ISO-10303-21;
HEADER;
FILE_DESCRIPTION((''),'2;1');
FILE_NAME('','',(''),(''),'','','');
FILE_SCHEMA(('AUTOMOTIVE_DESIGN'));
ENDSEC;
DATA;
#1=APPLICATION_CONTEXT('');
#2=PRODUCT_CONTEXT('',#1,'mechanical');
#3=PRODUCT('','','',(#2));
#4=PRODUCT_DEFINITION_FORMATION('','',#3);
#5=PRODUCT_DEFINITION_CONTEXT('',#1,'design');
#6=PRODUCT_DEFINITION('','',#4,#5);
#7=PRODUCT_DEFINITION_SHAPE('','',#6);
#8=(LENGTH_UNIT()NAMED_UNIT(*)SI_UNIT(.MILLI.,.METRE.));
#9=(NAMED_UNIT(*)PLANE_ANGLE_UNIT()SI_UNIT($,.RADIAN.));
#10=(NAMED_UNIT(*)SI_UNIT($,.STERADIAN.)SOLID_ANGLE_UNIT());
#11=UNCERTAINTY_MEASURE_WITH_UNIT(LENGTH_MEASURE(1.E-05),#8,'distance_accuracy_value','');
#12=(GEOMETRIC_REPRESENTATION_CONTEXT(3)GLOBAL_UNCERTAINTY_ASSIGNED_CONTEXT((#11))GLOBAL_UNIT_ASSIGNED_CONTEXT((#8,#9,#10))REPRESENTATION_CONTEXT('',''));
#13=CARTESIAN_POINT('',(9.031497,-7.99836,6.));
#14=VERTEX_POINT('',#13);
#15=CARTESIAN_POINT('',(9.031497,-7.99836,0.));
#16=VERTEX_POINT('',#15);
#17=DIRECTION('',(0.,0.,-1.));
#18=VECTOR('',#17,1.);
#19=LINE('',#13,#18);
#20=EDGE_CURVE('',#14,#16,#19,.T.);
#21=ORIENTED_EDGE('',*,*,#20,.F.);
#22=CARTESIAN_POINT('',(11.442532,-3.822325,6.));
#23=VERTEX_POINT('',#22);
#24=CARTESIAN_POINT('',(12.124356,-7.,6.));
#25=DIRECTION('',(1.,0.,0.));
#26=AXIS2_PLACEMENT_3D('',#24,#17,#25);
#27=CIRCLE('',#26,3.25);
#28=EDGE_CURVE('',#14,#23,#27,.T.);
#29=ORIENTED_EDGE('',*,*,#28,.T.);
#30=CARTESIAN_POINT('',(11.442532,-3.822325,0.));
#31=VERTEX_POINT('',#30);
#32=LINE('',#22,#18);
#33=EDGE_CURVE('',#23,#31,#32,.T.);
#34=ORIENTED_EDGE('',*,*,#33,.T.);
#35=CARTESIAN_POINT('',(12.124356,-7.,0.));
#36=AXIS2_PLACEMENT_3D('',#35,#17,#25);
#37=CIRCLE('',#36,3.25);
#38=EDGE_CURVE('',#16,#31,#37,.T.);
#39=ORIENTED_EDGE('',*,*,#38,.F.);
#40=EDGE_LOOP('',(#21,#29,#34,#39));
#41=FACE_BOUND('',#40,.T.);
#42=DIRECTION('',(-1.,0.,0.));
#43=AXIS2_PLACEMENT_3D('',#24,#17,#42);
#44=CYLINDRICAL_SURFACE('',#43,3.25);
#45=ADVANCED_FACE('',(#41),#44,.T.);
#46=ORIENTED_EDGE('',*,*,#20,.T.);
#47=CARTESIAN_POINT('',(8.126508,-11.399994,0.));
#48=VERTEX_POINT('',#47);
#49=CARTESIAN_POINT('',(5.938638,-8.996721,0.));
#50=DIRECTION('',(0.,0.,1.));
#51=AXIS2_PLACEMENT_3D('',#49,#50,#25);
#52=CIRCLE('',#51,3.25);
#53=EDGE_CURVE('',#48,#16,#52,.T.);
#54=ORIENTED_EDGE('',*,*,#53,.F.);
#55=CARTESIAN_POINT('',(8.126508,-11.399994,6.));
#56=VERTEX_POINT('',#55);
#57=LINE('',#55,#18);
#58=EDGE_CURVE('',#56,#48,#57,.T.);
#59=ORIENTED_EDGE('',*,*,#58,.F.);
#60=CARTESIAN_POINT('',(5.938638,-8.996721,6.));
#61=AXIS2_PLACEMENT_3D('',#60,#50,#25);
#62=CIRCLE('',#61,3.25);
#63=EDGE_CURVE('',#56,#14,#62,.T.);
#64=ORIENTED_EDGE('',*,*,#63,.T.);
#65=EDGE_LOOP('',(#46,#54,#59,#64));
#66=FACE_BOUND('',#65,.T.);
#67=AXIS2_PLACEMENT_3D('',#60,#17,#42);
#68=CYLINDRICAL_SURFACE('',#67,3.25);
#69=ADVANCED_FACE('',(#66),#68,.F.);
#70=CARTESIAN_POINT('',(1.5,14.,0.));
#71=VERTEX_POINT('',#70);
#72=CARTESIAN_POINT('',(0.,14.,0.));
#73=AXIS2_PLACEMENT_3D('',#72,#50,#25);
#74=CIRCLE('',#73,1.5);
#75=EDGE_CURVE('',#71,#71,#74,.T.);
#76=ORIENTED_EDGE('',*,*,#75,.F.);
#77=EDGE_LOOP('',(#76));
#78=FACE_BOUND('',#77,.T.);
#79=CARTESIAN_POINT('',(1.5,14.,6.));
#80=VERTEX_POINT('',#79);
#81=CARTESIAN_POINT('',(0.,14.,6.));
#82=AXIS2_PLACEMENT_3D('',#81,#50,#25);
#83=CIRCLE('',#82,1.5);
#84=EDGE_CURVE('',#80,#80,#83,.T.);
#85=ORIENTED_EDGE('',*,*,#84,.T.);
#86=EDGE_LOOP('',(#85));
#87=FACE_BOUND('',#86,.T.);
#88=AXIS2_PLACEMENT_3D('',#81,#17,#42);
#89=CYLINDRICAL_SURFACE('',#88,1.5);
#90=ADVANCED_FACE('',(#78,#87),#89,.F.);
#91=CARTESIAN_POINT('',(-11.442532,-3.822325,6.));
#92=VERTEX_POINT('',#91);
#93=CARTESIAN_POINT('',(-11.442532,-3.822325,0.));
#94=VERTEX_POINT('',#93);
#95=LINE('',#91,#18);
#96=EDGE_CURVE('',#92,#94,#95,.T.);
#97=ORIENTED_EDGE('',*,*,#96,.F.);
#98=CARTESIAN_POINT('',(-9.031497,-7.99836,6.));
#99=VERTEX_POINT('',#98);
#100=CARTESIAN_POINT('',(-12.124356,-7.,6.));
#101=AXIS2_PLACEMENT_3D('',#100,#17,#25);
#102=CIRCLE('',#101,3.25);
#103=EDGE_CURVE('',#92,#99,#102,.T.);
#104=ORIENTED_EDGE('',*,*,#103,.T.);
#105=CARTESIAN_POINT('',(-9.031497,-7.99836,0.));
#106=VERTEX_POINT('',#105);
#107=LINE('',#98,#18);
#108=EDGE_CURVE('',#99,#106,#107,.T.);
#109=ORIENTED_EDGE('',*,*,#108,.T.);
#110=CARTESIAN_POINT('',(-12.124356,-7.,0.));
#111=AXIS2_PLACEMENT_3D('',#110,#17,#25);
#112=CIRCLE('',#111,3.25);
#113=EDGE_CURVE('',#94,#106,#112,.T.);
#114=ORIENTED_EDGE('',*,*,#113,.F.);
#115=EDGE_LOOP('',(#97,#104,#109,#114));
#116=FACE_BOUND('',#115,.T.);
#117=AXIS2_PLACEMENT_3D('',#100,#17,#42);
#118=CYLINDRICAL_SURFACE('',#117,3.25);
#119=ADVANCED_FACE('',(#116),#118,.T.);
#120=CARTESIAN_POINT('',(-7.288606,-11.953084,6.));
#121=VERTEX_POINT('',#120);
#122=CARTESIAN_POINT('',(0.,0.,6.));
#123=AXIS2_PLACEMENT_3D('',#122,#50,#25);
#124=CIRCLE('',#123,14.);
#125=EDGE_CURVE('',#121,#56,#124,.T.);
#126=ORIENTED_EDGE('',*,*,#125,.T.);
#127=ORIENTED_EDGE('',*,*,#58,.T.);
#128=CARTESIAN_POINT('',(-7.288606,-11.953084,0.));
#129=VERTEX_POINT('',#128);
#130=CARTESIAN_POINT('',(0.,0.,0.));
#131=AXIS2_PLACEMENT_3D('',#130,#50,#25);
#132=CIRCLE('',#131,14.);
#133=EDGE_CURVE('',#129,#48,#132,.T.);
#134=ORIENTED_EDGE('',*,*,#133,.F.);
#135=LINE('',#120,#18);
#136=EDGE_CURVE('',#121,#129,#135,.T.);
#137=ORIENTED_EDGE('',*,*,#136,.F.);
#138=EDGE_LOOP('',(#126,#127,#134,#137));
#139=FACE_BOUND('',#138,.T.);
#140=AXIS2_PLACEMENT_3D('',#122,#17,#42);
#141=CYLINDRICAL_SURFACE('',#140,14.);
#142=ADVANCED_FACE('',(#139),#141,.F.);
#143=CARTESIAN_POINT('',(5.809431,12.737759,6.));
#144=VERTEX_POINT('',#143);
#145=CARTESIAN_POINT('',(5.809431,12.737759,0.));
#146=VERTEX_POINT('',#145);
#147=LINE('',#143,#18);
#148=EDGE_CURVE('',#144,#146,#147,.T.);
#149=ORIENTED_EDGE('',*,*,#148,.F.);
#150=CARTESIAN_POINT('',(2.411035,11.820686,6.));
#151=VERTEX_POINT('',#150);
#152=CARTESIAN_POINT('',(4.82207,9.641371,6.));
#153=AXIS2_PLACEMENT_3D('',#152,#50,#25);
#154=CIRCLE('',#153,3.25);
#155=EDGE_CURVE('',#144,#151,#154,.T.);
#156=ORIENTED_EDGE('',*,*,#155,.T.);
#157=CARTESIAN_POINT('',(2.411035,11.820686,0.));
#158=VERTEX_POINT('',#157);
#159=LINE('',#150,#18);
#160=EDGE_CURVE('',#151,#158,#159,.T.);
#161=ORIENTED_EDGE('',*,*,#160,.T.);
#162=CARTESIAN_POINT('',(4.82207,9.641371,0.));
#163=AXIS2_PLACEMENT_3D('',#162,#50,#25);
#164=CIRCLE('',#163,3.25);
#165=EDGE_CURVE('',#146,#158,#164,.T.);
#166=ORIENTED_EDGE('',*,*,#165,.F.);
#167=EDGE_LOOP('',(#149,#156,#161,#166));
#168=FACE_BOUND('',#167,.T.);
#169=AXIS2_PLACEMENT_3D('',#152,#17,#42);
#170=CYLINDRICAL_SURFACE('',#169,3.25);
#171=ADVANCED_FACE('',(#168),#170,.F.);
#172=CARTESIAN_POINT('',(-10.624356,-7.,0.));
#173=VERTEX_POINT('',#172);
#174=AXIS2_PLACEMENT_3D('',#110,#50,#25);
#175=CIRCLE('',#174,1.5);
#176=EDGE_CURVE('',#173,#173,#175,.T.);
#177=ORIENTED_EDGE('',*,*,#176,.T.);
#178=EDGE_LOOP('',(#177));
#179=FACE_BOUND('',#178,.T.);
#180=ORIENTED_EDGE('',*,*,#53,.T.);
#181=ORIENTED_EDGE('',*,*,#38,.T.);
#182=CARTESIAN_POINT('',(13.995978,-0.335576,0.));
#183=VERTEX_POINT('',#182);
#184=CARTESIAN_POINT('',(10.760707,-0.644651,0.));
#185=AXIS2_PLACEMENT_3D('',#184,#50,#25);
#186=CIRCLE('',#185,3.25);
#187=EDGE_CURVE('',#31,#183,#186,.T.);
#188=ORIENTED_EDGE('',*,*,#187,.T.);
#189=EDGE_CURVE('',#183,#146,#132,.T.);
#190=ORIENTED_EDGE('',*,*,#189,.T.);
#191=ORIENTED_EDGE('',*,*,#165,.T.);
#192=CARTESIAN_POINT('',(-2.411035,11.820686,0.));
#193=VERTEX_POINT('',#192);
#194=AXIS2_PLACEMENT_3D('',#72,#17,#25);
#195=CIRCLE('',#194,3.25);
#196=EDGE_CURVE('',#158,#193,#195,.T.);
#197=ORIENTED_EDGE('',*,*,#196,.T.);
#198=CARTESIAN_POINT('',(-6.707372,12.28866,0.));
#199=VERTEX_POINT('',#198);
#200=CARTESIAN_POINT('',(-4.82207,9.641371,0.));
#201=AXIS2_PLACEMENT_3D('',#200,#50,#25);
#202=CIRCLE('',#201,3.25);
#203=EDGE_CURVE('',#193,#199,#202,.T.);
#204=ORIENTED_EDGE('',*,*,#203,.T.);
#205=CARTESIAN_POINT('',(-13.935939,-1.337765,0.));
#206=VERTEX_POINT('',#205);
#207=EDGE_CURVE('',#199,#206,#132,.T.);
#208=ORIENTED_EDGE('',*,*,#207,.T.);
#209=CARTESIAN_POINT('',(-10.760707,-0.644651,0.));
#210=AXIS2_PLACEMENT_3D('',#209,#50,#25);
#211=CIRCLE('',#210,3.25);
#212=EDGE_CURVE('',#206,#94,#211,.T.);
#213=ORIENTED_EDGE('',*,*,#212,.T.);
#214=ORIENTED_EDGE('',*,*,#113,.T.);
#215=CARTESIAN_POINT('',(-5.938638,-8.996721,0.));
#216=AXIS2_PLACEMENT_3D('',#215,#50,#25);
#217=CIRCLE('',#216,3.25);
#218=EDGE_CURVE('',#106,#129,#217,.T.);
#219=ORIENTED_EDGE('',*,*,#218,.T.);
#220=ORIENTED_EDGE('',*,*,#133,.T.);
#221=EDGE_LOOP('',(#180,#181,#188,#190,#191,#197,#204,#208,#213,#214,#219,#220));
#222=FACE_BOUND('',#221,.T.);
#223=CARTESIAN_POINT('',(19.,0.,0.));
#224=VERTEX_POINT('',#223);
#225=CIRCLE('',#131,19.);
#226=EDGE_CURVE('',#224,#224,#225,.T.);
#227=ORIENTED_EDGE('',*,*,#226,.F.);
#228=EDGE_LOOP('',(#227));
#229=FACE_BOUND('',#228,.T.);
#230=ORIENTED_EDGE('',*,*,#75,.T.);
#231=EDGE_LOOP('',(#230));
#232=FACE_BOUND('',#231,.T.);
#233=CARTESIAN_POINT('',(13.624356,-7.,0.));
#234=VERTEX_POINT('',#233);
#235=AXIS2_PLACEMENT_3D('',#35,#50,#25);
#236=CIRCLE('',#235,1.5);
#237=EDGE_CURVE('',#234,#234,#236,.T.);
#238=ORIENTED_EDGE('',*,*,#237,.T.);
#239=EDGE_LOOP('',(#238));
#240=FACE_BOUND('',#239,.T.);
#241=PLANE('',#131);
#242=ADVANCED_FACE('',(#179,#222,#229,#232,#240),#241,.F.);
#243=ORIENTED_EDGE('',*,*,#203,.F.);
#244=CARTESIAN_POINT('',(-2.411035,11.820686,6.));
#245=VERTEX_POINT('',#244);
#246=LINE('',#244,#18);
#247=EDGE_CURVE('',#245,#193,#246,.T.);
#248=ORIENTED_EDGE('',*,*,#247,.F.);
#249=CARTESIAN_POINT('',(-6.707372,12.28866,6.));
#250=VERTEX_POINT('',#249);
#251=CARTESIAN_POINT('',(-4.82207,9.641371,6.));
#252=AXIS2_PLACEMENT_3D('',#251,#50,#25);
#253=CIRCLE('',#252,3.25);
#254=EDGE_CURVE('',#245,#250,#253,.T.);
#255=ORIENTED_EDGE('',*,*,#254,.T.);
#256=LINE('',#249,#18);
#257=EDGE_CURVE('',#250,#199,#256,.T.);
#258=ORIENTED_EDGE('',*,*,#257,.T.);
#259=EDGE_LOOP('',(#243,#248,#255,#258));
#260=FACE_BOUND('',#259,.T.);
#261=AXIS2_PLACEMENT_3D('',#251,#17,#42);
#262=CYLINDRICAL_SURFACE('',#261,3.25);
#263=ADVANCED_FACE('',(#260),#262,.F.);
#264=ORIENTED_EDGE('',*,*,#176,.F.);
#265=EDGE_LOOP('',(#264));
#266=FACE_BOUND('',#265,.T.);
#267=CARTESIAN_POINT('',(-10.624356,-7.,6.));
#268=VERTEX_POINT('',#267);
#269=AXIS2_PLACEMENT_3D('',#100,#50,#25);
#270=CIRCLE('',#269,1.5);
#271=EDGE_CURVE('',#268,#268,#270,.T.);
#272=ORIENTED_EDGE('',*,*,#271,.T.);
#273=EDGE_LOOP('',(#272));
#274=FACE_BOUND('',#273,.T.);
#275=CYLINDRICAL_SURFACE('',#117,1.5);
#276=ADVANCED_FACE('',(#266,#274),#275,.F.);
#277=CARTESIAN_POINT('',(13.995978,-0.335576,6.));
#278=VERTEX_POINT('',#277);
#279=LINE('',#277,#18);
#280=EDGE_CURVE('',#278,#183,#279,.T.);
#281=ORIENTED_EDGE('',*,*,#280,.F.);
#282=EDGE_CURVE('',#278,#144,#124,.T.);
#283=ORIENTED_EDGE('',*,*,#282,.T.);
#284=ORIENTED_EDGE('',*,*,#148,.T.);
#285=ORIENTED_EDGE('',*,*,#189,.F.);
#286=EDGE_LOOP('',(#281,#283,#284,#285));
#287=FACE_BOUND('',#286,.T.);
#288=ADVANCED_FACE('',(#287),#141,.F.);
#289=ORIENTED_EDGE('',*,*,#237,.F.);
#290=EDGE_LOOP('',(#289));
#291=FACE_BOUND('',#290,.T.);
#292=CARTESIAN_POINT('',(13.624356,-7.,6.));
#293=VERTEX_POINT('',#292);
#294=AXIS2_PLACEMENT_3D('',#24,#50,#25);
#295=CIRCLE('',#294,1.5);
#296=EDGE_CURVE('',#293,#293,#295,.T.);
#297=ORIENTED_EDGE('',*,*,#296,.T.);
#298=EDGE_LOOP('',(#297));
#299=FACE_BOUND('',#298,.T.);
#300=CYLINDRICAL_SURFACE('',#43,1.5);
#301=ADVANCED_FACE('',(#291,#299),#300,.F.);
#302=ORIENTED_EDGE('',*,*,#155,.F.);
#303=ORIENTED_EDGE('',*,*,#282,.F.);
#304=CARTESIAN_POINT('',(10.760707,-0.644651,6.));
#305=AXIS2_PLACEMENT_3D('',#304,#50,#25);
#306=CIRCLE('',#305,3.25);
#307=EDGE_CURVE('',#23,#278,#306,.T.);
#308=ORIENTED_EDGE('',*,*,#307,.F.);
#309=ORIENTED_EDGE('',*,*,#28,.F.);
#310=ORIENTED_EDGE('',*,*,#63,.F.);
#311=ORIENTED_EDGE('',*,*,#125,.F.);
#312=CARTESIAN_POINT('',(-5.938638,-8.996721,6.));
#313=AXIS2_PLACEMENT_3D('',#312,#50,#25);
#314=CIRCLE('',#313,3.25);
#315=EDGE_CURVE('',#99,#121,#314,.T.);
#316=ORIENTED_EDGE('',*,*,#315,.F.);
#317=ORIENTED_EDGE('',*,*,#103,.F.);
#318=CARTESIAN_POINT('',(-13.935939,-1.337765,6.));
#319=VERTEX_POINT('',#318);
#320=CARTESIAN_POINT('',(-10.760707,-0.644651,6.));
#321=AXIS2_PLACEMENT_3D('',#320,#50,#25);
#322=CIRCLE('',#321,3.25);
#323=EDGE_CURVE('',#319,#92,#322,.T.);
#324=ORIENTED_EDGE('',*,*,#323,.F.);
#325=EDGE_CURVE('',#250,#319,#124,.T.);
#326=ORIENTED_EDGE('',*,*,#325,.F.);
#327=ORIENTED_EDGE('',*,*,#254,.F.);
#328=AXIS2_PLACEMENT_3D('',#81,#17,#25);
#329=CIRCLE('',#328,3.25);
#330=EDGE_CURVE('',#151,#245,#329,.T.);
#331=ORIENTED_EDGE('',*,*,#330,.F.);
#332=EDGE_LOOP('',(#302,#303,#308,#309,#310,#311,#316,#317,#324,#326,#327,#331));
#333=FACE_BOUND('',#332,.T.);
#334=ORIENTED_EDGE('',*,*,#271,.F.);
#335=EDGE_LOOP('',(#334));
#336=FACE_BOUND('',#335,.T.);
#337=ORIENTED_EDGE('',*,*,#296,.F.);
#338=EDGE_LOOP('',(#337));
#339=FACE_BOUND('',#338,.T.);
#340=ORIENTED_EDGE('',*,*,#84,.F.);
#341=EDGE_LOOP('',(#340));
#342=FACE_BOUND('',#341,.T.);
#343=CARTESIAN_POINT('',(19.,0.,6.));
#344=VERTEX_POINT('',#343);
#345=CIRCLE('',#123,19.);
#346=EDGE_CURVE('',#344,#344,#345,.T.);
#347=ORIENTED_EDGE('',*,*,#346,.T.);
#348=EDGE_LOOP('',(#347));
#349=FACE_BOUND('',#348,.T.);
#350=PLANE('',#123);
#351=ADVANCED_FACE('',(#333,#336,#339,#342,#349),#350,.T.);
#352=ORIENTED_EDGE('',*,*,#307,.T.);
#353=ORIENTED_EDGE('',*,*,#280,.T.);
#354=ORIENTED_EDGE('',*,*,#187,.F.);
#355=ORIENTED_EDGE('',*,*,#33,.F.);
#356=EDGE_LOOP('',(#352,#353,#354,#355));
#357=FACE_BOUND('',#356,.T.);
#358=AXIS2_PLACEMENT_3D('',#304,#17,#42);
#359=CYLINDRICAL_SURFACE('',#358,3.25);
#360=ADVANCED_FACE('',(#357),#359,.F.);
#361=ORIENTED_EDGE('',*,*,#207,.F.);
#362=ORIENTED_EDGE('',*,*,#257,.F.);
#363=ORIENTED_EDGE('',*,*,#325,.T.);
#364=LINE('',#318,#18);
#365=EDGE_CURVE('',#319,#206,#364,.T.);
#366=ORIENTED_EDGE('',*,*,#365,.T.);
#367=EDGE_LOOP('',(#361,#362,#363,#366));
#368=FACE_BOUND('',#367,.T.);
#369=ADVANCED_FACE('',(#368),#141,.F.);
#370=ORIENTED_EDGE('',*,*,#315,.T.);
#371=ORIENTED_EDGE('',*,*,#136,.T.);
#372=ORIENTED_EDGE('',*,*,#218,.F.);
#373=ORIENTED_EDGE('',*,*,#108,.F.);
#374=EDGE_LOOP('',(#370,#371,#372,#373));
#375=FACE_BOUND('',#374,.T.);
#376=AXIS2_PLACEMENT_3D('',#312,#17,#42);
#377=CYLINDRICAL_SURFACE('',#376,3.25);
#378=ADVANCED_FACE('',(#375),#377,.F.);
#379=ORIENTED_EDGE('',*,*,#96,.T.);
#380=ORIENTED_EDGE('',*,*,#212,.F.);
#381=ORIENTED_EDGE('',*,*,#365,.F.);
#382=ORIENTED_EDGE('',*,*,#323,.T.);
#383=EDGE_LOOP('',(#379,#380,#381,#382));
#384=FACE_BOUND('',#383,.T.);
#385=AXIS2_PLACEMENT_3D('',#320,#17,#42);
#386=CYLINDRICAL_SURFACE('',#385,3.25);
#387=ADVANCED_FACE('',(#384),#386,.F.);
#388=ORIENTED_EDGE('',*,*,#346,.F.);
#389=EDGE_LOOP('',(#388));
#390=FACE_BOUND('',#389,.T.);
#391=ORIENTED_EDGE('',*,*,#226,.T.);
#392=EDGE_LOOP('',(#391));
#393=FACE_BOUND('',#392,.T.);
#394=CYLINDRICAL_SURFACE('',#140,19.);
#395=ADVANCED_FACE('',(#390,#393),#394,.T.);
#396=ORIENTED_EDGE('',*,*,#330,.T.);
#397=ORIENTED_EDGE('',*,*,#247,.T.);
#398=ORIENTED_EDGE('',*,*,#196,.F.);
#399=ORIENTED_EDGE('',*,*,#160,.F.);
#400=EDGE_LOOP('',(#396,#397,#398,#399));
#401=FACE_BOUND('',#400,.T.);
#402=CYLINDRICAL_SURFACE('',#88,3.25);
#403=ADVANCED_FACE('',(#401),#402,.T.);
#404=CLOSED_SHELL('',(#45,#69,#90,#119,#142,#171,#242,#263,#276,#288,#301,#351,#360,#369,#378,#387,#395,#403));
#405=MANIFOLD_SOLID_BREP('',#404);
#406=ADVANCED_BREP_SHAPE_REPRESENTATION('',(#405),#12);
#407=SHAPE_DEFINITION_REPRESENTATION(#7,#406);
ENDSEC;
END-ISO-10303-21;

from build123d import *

# Parameters (mm, degrees)
ESQUISSE1_R        = 19
ESQUISSE1_R_2      = 1.5
BOSS_EXTRU_2_DEPTH = 6


with BuildPart() as part:
    # Esquisse1 → Boss.-Extru.2 (new body)
    with BuildSketch(Plane.XY):
        Circle(ESQUISSE1_R)
        with Locations((0, 14)):
            Circle(ESQUISSE1_R_2, mode=Mode.SUBTRACT)
        with Locations((12.124355653, -7)):
            Circle(ESQUISSE1_R_2, mode=Mode.SUBTRACT)
        with Locations((-12.124355653, -7)):
            Circle(ESQUISSE1_R_2, mode=Mode.SUBTRACT)
        with BuildLine():
            ThreePointArc((-2.411034891, 11.820685714), (0, 10.75), (2.411034891, 11.820685714))
            ThreePointArc((2.411034891, 11.820685714), (3.975330286, 12.779130538), (5.80943088, 12.737759334))
            ThreePointArc((5.80943088, 12.737759334), (11.865562564, 7.430237213), (13.995977593, -0.335575935))
            ThreePointArc((13.995977593, -0.335575935), (13.382779595, -2.564868949), (11.442531564, -3.822325392))
            ThreePointArc((11.442531564, -3.822325392), (9.309773091, -5.375), (9.031496673, -7.998360322))
            ThreePointArc((9.031496673, -7.998360322), (9.079386541, -9.832302285), (8.126507731, -11.399994391))
            ThreePointArc((8.126507731, -11.399994391), (0.5019929, -13.990997217), (-7.288606081, -11.953084179))
            ThreePointArc((-7.288606081, -11.953084179), (-8.912631465, -10.307392628), (-9.031496673, -7.998360322))
            ThreePointArc((-9.031496673, -7.998360322), (-9.309773091, -5.375), (-11.442531564, -3.822325392))
            ThreePointArc((-11.442531564, -3.822325392), (-13.054716827, -2.946828253), (-13.935938611, -1.337764944))
            ThreePointArc((-13.935938611, -1.337764944), (-12.367555464, 6.560760004), (-6.707371512, 12.288660114))
            ThreePointArc((-6.707371512, 12.288660114), (-4.47014813, 12.872261577), (-2.411034891, 11.820685714))
        make_face(mode=Mode.SUBTRACT)
    extrude(amount=BOSS_EXTRU_2_DEPTH)


solid = part.part
